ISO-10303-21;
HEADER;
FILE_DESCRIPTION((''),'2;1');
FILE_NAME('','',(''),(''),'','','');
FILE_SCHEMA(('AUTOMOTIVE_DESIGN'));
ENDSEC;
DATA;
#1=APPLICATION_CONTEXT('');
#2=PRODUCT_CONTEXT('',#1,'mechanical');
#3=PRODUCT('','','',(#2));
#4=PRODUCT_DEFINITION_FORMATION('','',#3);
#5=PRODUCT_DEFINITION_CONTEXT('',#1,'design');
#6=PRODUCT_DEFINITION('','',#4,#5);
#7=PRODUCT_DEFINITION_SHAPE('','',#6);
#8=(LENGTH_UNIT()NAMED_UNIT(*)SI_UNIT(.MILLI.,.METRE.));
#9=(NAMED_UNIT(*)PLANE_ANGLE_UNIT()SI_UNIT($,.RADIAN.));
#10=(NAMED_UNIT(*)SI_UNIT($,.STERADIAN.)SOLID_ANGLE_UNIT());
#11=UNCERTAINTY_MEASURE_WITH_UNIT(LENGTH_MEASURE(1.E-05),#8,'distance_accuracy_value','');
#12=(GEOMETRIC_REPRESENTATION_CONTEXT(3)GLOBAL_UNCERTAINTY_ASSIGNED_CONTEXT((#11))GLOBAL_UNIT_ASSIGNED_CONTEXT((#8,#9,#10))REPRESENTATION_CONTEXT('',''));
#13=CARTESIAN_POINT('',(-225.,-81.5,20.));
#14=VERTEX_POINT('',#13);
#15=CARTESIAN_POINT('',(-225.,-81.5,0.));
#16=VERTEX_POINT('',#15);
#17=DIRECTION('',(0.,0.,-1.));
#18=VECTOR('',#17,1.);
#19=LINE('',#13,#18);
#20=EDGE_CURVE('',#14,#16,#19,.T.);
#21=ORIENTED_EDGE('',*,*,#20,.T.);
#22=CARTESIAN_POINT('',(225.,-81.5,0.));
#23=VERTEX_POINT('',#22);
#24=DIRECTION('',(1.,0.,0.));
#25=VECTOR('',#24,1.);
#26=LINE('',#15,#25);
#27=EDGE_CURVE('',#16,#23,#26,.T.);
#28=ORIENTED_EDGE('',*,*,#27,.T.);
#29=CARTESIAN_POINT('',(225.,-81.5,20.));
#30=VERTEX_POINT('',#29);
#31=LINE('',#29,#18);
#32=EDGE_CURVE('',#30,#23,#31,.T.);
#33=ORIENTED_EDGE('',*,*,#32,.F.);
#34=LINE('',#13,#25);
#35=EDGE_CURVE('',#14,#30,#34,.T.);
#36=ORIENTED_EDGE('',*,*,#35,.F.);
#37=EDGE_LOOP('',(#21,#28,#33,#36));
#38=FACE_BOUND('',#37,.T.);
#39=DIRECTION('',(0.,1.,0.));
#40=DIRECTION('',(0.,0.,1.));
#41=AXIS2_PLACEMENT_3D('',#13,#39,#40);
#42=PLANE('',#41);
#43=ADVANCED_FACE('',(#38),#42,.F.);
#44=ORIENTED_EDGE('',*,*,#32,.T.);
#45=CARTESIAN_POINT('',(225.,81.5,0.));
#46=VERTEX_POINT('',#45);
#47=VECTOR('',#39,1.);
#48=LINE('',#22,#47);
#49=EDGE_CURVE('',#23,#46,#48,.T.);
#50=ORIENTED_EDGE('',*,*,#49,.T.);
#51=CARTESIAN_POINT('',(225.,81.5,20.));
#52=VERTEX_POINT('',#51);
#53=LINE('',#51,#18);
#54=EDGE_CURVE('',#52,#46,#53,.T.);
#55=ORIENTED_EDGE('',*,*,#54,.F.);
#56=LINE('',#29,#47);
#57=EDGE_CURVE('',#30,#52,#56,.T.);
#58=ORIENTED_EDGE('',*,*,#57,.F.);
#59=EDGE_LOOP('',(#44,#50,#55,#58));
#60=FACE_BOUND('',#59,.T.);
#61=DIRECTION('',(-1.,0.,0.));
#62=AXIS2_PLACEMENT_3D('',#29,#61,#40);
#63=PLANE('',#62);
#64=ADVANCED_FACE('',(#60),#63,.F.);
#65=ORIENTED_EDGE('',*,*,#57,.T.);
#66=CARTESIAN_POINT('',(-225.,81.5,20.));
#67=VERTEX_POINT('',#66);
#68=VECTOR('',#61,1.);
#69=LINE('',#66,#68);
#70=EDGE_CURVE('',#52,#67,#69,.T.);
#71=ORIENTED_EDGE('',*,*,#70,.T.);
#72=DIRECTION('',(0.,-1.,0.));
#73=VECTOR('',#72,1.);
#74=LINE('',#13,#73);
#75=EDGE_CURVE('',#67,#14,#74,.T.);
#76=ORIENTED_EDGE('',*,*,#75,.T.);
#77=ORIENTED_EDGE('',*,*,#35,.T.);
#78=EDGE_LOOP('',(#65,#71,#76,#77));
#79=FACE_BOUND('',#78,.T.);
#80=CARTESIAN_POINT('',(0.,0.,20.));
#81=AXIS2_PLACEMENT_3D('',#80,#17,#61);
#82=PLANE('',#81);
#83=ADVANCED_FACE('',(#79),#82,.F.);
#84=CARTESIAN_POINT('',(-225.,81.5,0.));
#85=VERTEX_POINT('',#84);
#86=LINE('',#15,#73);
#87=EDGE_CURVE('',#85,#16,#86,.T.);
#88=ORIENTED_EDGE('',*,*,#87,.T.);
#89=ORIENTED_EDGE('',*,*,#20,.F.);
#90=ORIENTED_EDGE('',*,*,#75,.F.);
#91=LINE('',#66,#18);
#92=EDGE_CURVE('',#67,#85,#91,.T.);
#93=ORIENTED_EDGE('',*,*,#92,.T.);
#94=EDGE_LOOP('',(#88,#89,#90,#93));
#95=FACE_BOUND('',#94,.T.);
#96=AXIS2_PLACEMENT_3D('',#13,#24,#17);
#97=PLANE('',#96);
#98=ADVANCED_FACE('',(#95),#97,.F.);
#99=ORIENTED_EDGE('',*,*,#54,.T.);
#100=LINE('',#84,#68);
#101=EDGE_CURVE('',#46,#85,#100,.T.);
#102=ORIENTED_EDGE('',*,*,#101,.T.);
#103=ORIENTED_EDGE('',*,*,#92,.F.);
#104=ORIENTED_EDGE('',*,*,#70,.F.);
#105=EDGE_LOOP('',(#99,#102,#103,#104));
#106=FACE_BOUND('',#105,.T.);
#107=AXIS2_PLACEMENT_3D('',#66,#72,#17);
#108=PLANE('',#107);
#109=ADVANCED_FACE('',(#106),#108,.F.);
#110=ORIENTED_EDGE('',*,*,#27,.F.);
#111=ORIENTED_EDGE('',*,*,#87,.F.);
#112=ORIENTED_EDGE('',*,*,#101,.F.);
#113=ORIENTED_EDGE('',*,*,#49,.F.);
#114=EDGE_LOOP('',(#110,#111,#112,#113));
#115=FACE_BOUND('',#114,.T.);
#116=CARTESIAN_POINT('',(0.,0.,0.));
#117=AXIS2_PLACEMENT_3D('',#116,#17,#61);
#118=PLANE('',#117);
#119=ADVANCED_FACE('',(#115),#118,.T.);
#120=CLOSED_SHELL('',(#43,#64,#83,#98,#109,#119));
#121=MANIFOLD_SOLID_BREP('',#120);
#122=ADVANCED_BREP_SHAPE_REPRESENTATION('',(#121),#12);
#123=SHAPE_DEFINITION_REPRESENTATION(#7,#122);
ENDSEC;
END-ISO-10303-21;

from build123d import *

# Parameters (mm, degrees)
SKETCH1_W           = 450
SKETCH1_H           = 163
BOSS_EXTRUDE1_DEPTH = 20


with BuildPart() as part:
    # Sketch1 → Boss-Extrude1 (new body)
    with BuildSketch(Plane.XY):
        Rectangle(SKETCH1_W, SKETCH1_H)
    extrude(amount=BOSS_EXTRUDE1_DEPTH)


solid = part.part
